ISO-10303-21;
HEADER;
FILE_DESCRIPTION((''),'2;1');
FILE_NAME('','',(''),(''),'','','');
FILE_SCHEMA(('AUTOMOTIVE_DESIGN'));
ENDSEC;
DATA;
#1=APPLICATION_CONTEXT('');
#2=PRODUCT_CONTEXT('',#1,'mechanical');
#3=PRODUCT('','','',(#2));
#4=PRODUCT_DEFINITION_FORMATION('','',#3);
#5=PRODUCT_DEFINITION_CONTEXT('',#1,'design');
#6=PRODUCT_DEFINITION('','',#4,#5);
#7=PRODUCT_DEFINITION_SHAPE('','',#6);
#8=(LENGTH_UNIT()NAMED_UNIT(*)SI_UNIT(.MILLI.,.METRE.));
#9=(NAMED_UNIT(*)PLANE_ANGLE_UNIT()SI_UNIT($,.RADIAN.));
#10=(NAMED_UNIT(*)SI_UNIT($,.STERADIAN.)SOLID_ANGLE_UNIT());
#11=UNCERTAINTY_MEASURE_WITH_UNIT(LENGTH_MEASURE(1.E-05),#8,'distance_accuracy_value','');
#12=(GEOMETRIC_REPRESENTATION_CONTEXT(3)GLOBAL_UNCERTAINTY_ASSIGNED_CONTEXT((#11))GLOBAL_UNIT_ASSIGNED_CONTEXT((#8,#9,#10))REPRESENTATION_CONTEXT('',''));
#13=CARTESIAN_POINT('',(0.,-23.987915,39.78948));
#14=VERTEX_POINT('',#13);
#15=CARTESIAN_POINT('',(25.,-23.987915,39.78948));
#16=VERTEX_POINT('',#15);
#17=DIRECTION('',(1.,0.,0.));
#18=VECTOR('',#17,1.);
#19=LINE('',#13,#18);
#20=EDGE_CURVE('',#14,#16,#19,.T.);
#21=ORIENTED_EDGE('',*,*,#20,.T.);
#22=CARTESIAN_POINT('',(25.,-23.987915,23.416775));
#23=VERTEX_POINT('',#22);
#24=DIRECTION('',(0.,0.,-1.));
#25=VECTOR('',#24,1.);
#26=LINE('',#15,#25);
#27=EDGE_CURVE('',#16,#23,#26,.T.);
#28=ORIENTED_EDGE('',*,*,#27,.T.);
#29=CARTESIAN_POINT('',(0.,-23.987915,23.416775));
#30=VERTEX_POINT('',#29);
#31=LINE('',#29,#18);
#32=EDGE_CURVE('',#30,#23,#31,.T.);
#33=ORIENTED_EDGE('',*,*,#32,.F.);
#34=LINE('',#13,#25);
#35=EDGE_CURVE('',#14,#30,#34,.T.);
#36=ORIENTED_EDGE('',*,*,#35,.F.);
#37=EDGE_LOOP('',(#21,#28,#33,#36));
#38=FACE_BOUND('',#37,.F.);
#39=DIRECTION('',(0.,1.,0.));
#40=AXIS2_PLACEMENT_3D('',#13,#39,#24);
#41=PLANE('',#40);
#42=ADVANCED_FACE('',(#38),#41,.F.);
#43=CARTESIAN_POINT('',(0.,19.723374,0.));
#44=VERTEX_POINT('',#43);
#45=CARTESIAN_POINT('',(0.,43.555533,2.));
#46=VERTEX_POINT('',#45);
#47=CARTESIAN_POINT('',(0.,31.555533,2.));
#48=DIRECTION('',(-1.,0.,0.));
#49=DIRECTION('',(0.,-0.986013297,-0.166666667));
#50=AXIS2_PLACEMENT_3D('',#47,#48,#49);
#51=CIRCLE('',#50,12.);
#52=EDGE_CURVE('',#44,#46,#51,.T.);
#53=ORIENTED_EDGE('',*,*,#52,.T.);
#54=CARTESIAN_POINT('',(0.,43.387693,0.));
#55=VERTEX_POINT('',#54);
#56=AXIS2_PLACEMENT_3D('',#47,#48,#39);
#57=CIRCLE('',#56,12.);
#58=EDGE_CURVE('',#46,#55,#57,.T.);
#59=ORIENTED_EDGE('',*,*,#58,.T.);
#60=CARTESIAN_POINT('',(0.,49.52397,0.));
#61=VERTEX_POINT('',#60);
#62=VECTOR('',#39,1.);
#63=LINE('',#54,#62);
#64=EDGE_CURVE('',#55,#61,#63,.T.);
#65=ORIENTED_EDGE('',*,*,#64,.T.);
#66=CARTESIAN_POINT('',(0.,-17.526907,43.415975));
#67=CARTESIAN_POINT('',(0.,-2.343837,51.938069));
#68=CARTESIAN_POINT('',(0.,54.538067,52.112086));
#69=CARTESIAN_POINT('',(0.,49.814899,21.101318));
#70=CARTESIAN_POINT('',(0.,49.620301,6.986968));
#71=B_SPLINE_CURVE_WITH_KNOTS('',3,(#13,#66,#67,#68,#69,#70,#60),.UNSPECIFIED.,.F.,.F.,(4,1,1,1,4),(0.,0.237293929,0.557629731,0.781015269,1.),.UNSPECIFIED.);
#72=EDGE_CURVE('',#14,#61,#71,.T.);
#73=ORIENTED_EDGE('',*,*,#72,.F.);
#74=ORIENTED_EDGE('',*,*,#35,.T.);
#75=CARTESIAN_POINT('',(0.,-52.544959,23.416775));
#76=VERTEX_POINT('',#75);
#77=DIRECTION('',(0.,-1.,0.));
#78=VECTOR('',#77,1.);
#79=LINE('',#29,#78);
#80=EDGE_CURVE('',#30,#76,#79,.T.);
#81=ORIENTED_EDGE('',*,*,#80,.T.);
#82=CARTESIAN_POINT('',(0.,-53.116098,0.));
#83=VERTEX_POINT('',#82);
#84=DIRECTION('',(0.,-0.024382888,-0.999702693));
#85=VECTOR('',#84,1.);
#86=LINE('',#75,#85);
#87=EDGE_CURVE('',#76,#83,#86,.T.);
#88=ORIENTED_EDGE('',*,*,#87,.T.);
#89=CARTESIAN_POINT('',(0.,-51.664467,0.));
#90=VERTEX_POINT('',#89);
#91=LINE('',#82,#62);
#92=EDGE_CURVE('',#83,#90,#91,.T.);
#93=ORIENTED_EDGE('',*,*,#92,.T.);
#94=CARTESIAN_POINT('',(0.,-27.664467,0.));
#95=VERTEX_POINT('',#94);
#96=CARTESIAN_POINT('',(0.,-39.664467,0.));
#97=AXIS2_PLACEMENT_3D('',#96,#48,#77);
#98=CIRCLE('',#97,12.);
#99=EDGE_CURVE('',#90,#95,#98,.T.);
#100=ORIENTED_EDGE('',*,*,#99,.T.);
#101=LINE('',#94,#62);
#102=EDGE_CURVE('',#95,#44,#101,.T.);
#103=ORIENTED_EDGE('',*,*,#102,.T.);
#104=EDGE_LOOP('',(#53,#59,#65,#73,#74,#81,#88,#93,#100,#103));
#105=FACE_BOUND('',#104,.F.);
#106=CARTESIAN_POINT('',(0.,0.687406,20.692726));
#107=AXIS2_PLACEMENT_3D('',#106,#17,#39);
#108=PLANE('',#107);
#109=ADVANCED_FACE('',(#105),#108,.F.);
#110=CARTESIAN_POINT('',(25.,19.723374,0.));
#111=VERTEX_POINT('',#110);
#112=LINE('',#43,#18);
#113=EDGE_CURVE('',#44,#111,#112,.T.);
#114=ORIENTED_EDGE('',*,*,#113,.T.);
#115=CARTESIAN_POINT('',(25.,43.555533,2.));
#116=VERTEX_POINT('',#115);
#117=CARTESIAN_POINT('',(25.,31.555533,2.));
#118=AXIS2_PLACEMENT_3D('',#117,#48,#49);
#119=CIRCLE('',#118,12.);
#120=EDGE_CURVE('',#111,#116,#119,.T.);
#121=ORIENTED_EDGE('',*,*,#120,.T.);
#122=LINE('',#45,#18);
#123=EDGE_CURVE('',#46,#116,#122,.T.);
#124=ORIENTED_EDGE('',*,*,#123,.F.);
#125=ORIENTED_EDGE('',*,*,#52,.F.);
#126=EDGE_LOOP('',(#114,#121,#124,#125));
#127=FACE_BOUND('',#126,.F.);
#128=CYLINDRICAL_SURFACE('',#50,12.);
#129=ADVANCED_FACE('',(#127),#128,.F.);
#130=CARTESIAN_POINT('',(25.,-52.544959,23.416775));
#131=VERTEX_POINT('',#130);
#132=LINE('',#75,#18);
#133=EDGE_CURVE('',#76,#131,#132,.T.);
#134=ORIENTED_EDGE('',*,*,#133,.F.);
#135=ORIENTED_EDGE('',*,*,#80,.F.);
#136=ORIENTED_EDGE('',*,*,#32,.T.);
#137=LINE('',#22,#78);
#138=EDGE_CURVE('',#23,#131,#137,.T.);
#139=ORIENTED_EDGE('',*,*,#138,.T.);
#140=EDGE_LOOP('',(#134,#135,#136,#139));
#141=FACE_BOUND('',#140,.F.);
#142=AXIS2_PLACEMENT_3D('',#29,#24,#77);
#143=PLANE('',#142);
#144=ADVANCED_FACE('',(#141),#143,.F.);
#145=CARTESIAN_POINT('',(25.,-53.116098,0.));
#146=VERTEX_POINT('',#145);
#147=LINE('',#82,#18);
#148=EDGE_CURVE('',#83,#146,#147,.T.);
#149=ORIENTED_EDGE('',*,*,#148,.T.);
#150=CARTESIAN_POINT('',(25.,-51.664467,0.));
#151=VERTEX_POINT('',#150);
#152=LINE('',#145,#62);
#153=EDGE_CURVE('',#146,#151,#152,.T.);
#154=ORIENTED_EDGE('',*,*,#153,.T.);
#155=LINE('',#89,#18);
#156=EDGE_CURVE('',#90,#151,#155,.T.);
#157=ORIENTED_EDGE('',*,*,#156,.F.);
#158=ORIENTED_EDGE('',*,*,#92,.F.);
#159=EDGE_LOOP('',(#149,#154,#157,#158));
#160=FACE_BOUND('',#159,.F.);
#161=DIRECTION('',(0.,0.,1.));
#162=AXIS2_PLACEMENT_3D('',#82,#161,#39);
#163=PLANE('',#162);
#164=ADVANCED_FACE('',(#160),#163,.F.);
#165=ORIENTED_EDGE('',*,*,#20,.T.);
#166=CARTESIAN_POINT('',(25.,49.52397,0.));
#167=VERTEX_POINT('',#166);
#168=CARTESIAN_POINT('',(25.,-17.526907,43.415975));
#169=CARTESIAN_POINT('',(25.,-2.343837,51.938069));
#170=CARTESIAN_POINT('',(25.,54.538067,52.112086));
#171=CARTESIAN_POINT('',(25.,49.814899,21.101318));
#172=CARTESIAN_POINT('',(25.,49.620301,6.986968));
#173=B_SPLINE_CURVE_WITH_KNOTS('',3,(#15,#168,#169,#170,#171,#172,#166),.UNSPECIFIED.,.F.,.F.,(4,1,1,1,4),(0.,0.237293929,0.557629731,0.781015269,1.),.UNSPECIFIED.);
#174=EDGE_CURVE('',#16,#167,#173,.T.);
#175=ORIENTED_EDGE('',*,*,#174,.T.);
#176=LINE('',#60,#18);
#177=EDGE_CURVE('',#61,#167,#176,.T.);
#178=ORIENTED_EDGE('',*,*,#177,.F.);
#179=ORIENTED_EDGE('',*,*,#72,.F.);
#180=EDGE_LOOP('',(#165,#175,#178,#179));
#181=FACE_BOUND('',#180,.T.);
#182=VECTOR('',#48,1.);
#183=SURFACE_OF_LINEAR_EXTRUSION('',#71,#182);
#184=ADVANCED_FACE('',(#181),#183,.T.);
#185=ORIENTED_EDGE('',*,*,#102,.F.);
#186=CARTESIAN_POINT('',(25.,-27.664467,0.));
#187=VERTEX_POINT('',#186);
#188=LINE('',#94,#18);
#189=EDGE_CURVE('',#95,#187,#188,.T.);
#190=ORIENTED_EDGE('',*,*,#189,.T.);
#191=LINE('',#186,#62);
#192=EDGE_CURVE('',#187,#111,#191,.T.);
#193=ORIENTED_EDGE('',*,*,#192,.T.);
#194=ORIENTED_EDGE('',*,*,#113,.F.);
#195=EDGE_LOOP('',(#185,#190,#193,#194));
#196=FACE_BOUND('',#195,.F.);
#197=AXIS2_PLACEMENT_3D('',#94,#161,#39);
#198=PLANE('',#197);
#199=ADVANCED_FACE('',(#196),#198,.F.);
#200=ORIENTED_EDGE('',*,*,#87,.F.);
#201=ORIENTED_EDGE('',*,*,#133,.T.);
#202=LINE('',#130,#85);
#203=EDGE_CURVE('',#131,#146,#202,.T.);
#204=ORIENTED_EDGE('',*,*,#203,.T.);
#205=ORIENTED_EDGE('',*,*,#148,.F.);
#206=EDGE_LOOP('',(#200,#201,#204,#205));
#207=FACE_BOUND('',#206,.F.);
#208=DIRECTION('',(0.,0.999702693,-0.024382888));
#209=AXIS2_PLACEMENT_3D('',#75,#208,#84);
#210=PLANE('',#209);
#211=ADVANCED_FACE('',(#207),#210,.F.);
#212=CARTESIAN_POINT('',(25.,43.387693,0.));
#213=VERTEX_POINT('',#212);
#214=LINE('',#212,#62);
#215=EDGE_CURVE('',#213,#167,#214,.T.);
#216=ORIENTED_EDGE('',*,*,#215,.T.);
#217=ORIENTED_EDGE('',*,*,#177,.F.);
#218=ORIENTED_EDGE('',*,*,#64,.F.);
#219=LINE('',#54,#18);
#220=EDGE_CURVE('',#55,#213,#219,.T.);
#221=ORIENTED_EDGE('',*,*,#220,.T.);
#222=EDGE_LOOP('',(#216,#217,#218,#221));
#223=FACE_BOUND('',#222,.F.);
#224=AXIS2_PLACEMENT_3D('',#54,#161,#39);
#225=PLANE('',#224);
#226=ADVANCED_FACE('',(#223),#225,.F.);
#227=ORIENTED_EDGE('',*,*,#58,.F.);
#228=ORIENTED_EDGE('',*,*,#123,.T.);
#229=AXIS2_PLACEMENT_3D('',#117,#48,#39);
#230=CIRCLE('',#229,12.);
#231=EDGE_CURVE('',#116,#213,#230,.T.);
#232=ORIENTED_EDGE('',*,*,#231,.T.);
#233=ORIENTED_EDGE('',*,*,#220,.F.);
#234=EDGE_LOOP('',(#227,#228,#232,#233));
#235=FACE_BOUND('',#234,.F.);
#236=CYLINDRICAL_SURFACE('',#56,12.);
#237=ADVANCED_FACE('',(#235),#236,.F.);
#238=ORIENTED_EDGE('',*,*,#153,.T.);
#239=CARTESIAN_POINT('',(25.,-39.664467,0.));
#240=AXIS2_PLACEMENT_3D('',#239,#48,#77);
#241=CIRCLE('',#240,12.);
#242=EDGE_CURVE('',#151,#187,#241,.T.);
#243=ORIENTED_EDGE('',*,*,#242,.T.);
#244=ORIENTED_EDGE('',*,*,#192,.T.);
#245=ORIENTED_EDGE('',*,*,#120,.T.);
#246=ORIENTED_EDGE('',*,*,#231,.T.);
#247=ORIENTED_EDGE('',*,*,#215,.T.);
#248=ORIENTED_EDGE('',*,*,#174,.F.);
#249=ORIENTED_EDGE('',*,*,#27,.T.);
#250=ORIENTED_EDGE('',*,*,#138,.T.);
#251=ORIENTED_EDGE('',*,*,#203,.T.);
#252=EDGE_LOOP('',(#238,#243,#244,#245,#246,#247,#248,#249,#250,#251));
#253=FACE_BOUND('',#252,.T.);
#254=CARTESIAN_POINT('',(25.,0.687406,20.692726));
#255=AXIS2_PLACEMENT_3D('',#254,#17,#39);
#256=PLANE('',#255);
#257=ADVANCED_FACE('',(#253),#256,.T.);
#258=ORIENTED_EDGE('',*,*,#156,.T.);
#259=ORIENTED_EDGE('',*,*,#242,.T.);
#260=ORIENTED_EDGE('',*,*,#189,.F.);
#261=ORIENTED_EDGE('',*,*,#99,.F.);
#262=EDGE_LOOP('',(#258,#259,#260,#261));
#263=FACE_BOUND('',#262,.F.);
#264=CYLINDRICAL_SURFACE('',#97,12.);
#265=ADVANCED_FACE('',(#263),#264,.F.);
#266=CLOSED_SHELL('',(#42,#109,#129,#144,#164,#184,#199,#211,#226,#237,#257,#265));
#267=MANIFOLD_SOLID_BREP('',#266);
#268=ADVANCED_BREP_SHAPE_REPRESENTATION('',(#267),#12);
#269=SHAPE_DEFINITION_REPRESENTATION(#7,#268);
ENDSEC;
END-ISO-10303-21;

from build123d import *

# Parameters (mm, degrees)
F1_DEPTH = 25


with BuildPart() as f1:
    # F0 (on Right) → F1 (new body)
    with BuildSketch(Plane.YZ):
        with BuildLine():
            Line((-52.5449592137, 23.4167748248), (-53.1160976106, 0))
            Line((-53.1160976106, 0), (-51.6644665909, 0))
            ThreePointArc((-51.6644665909, 0), (-39.6644665909, 12), (-27.6644665909, 0))
            Line((-27.6644665909, 0), (19.7233738429, 0))
            ThreePointArc((19.7233738429, 0), (30.5520182858, 13.9579662735), (43.5555334091, 2))
            ThreePointArc((43.5555334091, 2), (43.5134996826, 0.9964848766), (43.3876929753, 0))
            Line((43.3876929753, 0), (49.5239698459, 0))
            add(Edge.make_bspline(
                [(-23.9879150499, 39.7894801698), (-17.5269069022, 43.4159746638), (-2.3438373307, 51.938068576), (54.5380665016, 52.1120860159), (49.8148991009, 21.1013181636), (49.6203009611, 6.9869683972), (49.5239698459, 0)],
                knots=[0, 0, 0, 0, 0.2372939293, 0.5576297313, 0.781015269, 1, 1, 1, 1], degree=3))
            Line((-23.9879150499, 39.7894801698), (-23.9879150499, 23.4167748248))
            Line((-23.9879150499, 23.4167748248), (-52.5449592137, 23.4167748248))
        make_face()
    extrude(amount=F1_DEPTH)


solid = f1.part
